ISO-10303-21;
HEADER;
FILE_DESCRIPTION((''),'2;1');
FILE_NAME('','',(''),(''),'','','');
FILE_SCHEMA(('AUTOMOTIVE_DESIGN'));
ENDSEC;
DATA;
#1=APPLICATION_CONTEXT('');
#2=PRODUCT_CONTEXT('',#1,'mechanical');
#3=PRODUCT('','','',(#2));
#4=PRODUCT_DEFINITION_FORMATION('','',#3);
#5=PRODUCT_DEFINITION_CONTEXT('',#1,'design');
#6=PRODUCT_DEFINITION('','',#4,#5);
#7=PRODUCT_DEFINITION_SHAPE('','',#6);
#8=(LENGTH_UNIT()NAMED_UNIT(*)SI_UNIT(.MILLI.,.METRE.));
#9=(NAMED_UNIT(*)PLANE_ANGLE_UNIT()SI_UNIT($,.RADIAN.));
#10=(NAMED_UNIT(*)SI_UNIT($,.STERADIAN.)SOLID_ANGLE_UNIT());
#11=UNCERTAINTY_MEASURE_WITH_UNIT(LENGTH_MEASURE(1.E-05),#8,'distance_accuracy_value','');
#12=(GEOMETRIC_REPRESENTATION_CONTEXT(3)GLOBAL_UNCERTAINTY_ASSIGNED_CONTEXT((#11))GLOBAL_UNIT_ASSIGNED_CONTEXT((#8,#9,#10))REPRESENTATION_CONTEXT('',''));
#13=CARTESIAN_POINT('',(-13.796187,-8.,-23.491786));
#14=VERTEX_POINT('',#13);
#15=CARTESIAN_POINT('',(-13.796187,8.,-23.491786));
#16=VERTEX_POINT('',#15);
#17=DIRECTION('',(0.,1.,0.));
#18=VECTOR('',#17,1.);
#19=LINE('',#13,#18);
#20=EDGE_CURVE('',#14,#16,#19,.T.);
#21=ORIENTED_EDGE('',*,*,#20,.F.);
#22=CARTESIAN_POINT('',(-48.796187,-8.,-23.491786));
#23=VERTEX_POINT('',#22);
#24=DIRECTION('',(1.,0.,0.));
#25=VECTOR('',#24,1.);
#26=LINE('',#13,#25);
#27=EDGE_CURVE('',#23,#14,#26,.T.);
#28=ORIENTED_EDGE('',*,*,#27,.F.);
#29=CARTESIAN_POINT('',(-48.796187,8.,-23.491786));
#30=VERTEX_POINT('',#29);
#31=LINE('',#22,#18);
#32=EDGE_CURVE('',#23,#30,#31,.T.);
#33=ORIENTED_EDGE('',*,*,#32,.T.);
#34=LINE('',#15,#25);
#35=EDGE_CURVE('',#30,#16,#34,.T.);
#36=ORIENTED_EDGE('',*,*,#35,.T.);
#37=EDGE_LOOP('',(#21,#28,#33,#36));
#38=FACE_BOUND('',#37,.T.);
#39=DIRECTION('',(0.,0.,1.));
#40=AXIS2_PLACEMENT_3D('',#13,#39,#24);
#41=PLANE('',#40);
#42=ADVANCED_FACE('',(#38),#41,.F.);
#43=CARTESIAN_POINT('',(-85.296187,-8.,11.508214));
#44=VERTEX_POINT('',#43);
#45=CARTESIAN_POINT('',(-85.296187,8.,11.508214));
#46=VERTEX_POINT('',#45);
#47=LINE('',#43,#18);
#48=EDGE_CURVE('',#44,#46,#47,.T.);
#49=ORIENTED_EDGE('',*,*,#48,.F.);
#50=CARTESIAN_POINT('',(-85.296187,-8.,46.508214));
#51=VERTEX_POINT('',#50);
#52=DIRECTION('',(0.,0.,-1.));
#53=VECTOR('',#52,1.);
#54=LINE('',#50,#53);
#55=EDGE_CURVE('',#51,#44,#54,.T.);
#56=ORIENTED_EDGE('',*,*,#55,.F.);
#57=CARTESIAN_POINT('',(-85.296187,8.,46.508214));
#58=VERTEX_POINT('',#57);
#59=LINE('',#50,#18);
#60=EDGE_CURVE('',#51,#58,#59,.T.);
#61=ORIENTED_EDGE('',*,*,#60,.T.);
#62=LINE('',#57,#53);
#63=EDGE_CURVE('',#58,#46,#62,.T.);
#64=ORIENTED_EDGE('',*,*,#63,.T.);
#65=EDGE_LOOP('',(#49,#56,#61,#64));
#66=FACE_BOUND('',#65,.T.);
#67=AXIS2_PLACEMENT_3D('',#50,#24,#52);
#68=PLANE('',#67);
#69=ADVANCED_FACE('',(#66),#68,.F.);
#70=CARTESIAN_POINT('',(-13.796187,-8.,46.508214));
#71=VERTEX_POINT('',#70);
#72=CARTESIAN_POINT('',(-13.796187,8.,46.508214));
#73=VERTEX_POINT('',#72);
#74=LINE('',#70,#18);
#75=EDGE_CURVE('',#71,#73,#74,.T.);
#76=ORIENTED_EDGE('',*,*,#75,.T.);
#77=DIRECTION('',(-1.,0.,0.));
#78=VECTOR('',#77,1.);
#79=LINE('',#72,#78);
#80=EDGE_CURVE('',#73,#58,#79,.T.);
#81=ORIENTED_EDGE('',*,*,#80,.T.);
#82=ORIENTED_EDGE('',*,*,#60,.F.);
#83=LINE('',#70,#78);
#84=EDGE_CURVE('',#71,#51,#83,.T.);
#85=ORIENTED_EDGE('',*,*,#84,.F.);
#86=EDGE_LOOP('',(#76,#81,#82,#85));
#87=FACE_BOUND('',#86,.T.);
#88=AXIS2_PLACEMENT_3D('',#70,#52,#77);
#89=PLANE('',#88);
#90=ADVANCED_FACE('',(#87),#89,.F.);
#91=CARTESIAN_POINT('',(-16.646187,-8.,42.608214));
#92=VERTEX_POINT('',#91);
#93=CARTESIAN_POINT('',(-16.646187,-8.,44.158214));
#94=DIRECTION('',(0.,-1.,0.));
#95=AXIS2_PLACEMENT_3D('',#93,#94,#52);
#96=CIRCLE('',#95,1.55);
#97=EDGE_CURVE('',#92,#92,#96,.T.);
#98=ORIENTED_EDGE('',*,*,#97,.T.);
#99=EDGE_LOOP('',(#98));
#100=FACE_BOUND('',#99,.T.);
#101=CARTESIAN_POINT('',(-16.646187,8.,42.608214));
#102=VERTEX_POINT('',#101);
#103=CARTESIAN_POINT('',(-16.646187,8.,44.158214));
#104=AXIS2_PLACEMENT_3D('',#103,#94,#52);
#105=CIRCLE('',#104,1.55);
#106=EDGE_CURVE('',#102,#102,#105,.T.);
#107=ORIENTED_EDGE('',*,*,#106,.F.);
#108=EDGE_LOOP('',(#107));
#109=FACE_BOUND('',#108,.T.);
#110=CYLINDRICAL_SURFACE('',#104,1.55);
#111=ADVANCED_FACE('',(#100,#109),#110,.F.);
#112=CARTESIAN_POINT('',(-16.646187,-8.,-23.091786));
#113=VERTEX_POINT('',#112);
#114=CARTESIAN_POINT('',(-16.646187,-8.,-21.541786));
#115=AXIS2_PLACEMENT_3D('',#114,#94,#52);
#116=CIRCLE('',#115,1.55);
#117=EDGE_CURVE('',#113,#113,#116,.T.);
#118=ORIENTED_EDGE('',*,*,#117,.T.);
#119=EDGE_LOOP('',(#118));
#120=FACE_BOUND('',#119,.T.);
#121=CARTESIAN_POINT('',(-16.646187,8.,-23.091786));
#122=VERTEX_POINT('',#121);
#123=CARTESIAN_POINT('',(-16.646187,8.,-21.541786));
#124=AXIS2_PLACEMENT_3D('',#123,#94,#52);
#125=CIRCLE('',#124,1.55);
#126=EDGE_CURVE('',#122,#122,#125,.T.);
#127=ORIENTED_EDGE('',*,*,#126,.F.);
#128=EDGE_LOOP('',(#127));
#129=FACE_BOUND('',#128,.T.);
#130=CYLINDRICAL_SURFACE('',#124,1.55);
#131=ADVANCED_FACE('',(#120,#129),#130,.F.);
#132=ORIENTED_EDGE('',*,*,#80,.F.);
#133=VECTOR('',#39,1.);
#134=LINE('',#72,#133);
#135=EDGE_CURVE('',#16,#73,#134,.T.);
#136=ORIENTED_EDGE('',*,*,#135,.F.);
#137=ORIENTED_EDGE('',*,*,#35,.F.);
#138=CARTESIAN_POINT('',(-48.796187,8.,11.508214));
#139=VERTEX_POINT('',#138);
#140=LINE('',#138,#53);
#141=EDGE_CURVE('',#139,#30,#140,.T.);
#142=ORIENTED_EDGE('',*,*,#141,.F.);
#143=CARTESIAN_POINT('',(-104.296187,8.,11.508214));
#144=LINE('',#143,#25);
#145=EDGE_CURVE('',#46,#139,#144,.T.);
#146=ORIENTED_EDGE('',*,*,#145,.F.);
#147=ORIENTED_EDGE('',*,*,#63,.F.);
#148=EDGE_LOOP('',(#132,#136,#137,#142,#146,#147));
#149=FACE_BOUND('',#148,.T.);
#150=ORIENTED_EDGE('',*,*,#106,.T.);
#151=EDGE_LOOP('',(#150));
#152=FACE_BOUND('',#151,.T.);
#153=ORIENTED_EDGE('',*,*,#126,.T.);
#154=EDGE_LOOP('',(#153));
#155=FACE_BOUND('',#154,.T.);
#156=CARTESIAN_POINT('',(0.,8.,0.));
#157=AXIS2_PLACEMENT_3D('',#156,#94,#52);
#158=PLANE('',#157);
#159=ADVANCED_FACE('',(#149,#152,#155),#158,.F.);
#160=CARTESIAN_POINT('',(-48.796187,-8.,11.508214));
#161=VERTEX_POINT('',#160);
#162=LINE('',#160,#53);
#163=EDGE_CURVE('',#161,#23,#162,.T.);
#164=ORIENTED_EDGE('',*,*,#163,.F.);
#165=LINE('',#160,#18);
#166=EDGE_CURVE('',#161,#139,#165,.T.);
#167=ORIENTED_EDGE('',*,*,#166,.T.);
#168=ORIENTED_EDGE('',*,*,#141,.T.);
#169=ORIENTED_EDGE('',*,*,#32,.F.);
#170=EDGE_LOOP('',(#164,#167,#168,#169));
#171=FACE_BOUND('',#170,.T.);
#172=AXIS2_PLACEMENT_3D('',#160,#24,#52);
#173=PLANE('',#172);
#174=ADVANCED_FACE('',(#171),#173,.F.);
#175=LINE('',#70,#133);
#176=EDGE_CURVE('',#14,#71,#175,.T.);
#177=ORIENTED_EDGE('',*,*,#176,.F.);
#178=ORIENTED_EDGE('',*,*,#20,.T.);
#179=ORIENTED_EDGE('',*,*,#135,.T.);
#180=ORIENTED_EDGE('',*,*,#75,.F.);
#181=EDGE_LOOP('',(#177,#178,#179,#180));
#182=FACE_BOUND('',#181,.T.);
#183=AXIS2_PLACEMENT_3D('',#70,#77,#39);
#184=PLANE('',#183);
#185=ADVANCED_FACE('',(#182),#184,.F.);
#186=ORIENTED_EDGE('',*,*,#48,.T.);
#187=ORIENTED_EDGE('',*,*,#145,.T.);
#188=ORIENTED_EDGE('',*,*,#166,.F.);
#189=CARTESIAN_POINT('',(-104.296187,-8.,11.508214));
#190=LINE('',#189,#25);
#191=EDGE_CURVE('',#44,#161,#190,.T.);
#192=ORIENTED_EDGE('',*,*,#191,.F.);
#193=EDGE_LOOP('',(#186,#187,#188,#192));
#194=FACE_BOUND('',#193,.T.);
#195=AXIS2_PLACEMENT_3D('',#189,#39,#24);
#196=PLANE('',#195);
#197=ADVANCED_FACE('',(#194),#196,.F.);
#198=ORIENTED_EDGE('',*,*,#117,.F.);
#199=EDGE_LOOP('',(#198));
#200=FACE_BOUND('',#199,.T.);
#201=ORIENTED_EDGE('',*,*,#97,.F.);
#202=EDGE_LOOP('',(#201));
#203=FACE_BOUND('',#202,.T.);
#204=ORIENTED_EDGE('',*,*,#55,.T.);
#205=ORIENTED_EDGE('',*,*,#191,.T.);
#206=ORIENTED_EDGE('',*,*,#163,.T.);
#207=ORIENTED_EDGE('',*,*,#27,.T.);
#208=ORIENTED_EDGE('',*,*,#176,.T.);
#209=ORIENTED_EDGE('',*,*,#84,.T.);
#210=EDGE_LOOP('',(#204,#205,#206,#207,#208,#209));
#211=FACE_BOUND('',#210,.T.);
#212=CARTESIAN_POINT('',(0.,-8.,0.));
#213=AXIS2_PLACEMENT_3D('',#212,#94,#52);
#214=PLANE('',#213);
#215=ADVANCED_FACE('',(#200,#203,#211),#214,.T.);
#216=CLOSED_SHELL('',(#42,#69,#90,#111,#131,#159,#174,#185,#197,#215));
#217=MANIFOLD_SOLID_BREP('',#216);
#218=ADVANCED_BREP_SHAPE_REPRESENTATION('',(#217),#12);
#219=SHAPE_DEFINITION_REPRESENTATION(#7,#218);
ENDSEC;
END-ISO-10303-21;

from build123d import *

# Parameters (mm, degrees)
BOSS_EXTRUDE1_DEPTH = 8
MOVE_FACE1_BY       = 19
SKETCH3_R           = 1.55
CUT_EXTRUDE1_DEPTH  = 99.460415825


with BuildPart() as part:
    # Sketch2 → Boss-Extrude1 (new, symmetric)
    with BuildSketch(Plane.XZ):
        Polygon((-13.796187154, 46.508213699), (-13.796187154, -23.491786301), (-48.796187154, -23.491786301), (-48.796187154, 11.508213699), (-104.296187154, 11.508213699), (-104.296187154, 46.508213699), align=None)
    extrude(amount=BOSS_EXTRUDE1_DEPTH, both=True)

    # Move Face1: a face moved inward by 19.0
    extrude(part.faces().sort_by_distance((-104.296187154, 0, 29.008213699))[0], amount=MOVE_FACE1_BY, dir=(1, 0, 0), mode=Mode.SUBTRACT)

    # Sketch3 → Cut-Extrude1 (cut, through all)
    with BuildSketch(Plane.XZ.offset(8)):
        with Locations(Location((-16.646187154, 44.158213699, 0), (0, 0, 270))):
            Circle(SKETCH3_R)
        with Locations(Location((-16.646187154, -21.541786301, 0), (0, 0, 270))):
            Circle(SKETCH3_R)
    extrude(amount=-CUT_EXTRUDE1_DEPTH, mode=Mode.SUBTRACT)


solid = part.part
